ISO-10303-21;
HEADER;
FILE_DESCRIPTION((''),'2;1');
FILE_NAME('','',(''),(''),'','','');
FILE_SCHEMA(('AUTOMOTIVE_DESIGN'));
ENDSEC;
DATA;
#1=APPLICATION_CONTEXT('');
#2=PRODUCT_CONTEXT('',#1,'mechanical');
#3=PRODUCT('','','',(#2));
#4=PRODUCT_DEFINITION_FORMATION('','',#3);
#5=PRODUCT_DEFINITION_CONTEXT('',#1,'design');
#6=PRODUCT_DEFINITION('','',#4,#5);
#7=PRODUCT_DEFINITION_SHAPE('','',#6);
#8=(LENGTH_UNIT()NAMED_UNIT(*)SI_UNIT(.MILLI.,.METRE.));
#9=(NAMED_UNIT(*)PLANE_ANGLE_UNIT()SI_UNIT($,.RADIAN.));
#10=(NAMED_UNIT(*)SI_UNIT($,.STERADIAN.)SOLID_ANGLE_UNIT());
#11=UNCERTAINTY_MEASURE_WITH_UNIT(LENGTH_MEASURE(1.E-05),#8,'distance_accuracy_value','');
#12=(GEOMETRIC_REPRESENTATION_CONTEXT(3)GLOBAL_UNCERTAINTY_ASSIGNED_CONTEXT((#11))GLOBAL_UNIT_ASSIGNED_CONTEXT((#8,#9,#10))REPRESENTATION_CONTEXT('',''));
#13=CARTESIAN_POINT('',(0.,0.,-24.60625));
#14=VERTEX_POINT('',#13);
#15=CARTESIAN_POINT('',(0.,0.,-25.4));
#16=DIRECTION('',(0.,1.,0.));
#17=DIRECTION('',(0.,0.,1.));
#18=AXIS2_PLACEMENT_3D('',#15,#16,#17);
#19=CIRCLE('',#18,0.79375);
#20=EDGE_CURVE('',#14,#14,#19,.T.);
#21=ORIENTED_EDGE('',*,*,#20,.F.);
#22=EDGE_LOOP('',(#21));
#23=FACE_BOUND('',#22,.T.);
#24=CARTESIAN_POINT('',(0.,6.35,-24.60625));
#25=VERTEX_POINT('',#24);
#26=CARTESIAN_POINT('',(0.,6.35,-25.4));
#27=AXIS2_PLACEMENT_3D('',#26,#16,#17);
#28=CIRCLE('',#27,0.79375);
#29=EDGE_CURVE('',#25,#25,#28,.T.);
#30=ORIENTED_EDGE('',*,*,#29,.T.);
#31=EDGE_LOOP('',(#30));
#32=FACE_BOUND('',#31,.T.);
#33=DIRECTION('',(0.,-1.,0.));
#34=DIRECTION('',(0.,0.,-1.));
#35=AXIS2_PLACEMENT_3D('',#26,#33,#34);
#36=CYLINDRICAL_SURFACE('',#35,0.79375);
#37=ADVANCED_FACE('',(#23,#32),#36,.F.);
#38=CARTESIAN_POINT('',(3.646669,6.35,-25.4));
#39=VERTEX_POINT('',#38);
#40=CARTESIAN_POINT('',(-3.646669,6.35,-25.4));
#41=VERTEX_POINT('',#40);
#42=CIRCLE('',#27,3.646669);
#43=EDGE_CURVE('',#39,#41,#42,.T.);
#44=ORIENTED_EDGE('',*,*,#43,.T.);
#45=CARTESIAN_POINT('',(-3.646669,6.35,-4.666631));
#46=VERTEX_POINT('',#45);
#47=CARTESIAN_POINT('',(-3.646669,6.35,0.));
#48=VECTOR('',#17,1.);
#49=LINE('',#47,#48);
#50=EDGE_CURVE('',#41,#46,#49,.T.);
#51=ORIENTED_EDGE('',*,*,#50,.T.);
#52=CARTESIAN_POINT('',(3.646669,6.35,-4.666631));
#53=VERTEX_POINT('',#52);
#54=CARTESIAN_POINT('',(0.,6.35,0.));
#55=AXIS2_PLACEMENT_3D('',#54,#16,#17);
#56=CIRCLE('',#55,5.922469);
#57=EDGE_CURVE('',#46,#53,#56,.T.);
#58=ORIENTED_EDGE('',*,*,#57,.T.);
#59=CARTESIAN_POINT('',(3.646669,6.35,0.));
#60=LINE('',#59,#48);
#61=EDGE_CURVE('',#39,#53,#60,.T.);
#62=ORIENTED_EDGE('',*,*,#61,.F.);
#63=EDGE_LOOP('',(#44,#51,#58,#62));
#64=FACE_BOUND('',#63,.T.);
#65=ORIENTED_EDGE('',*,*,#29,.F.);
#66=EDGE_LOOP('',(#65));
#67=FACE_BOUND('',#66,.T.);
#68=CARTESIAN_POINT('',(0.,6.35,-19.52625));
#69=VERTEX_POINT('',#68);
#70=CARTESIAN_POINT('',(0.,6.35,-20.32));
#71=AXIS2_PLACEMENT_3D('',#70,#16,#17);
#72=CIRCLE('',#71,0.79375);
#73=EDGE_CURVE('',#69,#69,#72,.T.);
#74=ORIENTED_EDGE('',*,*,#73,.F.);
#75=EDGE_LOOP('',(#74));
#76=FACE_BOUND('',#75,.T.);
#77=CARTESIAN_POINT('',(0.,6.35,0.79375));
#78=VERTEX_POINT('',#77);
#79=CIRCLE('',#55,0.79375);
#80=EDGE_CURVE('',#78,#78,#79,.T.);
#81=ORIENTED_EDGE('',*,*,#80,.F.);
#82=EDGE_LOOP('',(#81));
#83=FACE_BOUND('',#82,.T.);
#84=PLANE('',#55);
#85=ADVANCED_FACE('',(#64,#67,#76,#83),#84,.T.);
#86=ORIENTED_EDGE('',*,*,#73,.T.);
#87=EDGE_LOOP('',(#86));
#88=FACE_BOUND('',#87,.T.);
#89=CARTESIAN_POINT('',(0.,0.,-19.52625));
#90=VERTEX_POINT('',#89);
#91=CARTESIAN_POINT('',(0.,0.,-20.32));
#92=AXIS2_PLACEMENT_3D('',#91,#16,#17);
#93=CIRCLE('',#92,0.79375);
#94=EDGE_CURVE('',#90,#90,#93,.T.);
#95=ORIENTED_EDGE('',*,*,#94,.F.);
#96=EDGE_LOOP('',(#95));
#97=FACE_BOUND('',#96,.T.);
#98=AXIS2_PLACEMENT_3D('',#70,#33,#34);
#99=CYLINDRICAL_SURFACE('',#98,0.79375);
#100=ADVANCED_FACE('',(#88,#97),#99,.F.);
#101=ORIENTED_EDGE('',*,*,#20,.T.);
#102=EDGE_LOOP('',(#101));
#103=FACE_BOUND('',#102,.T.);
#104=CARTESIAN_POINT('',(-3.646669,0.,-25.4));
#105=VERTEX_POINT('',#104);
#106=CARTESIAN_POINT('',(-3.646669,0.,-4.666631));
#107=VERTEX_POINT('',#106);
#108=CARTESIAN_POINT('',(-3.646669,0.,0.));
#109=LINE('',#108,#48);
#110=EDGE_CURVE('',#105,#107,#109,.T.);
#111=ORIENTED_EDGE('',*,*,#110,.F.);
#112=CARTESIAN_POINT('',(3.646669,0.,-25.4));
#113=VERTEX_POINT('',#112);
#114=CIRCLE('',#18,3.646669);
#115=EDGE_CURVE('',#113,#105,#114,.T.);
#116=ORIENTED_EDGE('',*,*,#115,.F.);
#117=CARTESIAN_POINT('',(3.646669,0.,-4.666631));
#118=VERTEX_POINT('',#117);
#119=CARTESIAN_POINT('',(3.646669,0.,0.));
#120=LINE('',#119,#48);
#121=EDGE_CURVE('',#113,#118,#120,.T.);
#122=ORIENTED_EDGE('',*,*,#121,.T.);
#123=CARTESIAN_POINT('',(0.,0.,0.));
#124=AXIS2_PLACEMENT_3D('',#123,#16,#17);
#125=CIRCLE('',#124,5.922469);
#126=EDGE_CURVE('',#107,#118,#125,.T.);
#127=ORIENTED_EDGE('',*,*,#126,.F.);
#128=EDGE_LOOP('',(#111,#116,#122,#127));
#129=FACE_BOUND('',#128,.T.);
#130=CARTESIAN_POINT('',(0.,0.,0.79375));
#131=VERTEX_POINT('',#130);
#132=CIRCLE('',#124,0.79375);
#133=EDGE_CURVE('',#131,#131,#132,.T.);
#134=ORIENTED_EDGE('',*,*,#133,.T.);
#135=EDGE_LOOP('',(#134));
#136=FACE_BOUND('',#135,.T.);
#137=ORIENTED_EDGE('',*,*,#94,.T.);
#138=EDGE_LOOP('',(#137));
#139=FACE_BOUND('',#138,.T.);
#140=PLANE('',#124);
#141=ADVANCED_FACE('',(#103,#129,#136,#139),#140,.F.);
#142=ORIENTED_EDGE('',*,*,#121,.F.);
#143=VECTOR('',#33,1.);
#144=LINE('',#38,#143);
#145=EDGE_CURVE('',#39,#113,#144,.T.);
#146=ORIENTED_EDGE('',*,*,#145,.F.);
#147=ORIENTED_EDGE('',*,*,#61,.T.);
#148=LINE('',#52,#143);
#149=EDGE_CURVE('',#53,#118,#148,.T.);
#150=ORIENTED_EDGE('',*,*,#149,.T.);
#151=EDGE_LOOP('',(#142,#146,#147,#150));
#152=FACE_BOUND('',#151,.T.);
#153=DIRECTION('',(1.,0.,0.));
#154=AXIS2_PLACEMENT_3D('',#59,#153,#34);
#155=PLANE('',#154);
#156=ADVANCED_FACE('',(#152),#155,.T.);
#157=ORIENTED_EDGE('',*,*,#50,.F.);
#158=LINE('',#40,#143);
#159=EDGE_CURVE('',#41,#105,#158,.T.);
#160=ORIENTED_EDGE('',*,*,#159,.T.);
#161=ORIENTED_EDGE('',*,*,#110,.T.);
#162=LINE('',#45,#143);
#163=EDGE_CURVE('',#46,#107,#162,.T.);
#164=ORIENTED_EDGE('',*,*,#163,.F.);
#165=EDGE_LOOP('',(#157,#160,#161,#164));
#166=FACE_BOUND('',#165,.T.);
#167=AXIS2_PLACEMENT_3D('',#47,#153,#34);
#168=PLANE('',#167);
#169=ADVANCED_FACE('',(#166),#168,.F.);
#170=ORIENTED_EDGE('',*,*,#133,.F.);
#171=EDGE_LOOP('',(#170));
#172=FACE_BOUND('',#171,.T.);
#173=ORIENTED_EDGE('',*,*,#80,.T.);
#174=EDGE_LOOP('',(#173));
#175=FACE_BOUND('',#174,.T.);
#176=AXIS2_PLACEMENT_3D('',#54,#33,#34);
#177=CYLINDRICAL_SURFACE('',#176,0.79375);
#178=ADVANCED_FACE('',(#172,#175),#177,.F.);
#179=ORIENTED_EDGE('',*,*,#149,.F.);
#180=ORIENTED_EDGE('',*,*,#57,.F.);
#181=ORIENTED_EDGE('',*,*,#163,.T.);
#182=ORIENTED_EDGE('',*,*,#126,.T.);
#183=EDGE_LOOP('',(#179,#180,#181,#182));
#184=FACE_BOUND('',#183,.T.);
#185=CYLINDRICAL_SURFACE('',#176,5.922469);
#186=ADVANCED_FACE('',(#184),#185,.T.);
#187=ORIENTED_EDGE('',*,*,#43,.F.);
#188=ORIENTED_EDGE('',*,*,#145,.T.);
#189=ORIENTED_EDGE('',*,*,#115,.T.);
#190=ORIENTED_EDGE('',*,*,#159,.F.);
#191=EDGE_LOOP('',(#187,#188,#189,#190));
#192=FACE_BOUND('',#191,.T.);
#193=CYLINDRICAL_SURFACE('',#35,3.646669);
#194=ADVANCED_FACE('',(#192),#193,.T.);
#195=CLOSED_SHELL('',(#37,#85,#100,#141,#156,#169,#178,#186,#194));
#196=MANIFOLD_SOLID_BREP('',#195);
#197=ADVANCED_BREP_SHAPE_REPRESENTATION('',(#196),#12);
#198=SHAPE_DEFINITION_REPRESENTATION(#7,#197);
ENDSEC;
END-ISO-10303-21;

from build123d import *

# Parameters (mm, degrees)
SKETCH1_R           = 5.922468873
SKETCH1_R_2         = 4.194729015
SKETCH1_R_3         = 0.79375
BOSS_EXTRUDE1_DEPTH = 6.35


with BuildPart() as part:
    # Sketch1 → Boss-Extrude1 (new body)
    # profile 1 of 3: a face of its own
    with BuildSketch(Plane(origin=(0, 0, 0), x_dir=(1, 0, 0), z_dir=(0, 1, 0))):
        Circle(SKETCH1_R)
        Circle(SKETCH1_R_2, mode=Mode.SUBTRACT)
    # profile 2 of 3: a face of its own
    with BuildSketch(Plane(origin=(0, 0, 0), x_dir=(1, 0, 0), z_dir=(0, 1, 0))):
        Circle(SKETCH1_R_2)
        with Locations(Location((0, 0, 0), (0, 0, 270))):
            Circle(SKETCH1_R_3, mode=Mode.SUBTRACT)
    # profile 3 of 3: a face of its own
    with BuildSketch(Plane(origin=(0, 0, 0), x_dir=(1, 0, 0), z_dir=(0, 1, 0))):
        with BuildLine():
            ThreePointArc((3.646669154, 25.4), (0, 29.046669154), (-3.646669154, 25.4))
            Line((-3.646669154, 25.4), (-3.646669154, 4.666630651))
            ThreePointArc((-3.646669154, 4.666630651), (0, 5.922468873), (3.646669154, 4.666630651))
            Line((3.646669154, 4.666630651), (3.646669154, 25.4))
        make_face()
        with Locations(Location((0, 20.32, 0), (0, 0, 270))):
            Circle(SKETCH1_R_3, mode=Mode.SUBTRACT)
        with Locations(Location((0, 25.4, 0), (0, 0, 270))):
            Circle(SKETCH1_R_3, mode=Mode.SUBTRACT)
    extrude(amount=BOSS_EXTRUDE1_DEPTH)


solid = part.part
